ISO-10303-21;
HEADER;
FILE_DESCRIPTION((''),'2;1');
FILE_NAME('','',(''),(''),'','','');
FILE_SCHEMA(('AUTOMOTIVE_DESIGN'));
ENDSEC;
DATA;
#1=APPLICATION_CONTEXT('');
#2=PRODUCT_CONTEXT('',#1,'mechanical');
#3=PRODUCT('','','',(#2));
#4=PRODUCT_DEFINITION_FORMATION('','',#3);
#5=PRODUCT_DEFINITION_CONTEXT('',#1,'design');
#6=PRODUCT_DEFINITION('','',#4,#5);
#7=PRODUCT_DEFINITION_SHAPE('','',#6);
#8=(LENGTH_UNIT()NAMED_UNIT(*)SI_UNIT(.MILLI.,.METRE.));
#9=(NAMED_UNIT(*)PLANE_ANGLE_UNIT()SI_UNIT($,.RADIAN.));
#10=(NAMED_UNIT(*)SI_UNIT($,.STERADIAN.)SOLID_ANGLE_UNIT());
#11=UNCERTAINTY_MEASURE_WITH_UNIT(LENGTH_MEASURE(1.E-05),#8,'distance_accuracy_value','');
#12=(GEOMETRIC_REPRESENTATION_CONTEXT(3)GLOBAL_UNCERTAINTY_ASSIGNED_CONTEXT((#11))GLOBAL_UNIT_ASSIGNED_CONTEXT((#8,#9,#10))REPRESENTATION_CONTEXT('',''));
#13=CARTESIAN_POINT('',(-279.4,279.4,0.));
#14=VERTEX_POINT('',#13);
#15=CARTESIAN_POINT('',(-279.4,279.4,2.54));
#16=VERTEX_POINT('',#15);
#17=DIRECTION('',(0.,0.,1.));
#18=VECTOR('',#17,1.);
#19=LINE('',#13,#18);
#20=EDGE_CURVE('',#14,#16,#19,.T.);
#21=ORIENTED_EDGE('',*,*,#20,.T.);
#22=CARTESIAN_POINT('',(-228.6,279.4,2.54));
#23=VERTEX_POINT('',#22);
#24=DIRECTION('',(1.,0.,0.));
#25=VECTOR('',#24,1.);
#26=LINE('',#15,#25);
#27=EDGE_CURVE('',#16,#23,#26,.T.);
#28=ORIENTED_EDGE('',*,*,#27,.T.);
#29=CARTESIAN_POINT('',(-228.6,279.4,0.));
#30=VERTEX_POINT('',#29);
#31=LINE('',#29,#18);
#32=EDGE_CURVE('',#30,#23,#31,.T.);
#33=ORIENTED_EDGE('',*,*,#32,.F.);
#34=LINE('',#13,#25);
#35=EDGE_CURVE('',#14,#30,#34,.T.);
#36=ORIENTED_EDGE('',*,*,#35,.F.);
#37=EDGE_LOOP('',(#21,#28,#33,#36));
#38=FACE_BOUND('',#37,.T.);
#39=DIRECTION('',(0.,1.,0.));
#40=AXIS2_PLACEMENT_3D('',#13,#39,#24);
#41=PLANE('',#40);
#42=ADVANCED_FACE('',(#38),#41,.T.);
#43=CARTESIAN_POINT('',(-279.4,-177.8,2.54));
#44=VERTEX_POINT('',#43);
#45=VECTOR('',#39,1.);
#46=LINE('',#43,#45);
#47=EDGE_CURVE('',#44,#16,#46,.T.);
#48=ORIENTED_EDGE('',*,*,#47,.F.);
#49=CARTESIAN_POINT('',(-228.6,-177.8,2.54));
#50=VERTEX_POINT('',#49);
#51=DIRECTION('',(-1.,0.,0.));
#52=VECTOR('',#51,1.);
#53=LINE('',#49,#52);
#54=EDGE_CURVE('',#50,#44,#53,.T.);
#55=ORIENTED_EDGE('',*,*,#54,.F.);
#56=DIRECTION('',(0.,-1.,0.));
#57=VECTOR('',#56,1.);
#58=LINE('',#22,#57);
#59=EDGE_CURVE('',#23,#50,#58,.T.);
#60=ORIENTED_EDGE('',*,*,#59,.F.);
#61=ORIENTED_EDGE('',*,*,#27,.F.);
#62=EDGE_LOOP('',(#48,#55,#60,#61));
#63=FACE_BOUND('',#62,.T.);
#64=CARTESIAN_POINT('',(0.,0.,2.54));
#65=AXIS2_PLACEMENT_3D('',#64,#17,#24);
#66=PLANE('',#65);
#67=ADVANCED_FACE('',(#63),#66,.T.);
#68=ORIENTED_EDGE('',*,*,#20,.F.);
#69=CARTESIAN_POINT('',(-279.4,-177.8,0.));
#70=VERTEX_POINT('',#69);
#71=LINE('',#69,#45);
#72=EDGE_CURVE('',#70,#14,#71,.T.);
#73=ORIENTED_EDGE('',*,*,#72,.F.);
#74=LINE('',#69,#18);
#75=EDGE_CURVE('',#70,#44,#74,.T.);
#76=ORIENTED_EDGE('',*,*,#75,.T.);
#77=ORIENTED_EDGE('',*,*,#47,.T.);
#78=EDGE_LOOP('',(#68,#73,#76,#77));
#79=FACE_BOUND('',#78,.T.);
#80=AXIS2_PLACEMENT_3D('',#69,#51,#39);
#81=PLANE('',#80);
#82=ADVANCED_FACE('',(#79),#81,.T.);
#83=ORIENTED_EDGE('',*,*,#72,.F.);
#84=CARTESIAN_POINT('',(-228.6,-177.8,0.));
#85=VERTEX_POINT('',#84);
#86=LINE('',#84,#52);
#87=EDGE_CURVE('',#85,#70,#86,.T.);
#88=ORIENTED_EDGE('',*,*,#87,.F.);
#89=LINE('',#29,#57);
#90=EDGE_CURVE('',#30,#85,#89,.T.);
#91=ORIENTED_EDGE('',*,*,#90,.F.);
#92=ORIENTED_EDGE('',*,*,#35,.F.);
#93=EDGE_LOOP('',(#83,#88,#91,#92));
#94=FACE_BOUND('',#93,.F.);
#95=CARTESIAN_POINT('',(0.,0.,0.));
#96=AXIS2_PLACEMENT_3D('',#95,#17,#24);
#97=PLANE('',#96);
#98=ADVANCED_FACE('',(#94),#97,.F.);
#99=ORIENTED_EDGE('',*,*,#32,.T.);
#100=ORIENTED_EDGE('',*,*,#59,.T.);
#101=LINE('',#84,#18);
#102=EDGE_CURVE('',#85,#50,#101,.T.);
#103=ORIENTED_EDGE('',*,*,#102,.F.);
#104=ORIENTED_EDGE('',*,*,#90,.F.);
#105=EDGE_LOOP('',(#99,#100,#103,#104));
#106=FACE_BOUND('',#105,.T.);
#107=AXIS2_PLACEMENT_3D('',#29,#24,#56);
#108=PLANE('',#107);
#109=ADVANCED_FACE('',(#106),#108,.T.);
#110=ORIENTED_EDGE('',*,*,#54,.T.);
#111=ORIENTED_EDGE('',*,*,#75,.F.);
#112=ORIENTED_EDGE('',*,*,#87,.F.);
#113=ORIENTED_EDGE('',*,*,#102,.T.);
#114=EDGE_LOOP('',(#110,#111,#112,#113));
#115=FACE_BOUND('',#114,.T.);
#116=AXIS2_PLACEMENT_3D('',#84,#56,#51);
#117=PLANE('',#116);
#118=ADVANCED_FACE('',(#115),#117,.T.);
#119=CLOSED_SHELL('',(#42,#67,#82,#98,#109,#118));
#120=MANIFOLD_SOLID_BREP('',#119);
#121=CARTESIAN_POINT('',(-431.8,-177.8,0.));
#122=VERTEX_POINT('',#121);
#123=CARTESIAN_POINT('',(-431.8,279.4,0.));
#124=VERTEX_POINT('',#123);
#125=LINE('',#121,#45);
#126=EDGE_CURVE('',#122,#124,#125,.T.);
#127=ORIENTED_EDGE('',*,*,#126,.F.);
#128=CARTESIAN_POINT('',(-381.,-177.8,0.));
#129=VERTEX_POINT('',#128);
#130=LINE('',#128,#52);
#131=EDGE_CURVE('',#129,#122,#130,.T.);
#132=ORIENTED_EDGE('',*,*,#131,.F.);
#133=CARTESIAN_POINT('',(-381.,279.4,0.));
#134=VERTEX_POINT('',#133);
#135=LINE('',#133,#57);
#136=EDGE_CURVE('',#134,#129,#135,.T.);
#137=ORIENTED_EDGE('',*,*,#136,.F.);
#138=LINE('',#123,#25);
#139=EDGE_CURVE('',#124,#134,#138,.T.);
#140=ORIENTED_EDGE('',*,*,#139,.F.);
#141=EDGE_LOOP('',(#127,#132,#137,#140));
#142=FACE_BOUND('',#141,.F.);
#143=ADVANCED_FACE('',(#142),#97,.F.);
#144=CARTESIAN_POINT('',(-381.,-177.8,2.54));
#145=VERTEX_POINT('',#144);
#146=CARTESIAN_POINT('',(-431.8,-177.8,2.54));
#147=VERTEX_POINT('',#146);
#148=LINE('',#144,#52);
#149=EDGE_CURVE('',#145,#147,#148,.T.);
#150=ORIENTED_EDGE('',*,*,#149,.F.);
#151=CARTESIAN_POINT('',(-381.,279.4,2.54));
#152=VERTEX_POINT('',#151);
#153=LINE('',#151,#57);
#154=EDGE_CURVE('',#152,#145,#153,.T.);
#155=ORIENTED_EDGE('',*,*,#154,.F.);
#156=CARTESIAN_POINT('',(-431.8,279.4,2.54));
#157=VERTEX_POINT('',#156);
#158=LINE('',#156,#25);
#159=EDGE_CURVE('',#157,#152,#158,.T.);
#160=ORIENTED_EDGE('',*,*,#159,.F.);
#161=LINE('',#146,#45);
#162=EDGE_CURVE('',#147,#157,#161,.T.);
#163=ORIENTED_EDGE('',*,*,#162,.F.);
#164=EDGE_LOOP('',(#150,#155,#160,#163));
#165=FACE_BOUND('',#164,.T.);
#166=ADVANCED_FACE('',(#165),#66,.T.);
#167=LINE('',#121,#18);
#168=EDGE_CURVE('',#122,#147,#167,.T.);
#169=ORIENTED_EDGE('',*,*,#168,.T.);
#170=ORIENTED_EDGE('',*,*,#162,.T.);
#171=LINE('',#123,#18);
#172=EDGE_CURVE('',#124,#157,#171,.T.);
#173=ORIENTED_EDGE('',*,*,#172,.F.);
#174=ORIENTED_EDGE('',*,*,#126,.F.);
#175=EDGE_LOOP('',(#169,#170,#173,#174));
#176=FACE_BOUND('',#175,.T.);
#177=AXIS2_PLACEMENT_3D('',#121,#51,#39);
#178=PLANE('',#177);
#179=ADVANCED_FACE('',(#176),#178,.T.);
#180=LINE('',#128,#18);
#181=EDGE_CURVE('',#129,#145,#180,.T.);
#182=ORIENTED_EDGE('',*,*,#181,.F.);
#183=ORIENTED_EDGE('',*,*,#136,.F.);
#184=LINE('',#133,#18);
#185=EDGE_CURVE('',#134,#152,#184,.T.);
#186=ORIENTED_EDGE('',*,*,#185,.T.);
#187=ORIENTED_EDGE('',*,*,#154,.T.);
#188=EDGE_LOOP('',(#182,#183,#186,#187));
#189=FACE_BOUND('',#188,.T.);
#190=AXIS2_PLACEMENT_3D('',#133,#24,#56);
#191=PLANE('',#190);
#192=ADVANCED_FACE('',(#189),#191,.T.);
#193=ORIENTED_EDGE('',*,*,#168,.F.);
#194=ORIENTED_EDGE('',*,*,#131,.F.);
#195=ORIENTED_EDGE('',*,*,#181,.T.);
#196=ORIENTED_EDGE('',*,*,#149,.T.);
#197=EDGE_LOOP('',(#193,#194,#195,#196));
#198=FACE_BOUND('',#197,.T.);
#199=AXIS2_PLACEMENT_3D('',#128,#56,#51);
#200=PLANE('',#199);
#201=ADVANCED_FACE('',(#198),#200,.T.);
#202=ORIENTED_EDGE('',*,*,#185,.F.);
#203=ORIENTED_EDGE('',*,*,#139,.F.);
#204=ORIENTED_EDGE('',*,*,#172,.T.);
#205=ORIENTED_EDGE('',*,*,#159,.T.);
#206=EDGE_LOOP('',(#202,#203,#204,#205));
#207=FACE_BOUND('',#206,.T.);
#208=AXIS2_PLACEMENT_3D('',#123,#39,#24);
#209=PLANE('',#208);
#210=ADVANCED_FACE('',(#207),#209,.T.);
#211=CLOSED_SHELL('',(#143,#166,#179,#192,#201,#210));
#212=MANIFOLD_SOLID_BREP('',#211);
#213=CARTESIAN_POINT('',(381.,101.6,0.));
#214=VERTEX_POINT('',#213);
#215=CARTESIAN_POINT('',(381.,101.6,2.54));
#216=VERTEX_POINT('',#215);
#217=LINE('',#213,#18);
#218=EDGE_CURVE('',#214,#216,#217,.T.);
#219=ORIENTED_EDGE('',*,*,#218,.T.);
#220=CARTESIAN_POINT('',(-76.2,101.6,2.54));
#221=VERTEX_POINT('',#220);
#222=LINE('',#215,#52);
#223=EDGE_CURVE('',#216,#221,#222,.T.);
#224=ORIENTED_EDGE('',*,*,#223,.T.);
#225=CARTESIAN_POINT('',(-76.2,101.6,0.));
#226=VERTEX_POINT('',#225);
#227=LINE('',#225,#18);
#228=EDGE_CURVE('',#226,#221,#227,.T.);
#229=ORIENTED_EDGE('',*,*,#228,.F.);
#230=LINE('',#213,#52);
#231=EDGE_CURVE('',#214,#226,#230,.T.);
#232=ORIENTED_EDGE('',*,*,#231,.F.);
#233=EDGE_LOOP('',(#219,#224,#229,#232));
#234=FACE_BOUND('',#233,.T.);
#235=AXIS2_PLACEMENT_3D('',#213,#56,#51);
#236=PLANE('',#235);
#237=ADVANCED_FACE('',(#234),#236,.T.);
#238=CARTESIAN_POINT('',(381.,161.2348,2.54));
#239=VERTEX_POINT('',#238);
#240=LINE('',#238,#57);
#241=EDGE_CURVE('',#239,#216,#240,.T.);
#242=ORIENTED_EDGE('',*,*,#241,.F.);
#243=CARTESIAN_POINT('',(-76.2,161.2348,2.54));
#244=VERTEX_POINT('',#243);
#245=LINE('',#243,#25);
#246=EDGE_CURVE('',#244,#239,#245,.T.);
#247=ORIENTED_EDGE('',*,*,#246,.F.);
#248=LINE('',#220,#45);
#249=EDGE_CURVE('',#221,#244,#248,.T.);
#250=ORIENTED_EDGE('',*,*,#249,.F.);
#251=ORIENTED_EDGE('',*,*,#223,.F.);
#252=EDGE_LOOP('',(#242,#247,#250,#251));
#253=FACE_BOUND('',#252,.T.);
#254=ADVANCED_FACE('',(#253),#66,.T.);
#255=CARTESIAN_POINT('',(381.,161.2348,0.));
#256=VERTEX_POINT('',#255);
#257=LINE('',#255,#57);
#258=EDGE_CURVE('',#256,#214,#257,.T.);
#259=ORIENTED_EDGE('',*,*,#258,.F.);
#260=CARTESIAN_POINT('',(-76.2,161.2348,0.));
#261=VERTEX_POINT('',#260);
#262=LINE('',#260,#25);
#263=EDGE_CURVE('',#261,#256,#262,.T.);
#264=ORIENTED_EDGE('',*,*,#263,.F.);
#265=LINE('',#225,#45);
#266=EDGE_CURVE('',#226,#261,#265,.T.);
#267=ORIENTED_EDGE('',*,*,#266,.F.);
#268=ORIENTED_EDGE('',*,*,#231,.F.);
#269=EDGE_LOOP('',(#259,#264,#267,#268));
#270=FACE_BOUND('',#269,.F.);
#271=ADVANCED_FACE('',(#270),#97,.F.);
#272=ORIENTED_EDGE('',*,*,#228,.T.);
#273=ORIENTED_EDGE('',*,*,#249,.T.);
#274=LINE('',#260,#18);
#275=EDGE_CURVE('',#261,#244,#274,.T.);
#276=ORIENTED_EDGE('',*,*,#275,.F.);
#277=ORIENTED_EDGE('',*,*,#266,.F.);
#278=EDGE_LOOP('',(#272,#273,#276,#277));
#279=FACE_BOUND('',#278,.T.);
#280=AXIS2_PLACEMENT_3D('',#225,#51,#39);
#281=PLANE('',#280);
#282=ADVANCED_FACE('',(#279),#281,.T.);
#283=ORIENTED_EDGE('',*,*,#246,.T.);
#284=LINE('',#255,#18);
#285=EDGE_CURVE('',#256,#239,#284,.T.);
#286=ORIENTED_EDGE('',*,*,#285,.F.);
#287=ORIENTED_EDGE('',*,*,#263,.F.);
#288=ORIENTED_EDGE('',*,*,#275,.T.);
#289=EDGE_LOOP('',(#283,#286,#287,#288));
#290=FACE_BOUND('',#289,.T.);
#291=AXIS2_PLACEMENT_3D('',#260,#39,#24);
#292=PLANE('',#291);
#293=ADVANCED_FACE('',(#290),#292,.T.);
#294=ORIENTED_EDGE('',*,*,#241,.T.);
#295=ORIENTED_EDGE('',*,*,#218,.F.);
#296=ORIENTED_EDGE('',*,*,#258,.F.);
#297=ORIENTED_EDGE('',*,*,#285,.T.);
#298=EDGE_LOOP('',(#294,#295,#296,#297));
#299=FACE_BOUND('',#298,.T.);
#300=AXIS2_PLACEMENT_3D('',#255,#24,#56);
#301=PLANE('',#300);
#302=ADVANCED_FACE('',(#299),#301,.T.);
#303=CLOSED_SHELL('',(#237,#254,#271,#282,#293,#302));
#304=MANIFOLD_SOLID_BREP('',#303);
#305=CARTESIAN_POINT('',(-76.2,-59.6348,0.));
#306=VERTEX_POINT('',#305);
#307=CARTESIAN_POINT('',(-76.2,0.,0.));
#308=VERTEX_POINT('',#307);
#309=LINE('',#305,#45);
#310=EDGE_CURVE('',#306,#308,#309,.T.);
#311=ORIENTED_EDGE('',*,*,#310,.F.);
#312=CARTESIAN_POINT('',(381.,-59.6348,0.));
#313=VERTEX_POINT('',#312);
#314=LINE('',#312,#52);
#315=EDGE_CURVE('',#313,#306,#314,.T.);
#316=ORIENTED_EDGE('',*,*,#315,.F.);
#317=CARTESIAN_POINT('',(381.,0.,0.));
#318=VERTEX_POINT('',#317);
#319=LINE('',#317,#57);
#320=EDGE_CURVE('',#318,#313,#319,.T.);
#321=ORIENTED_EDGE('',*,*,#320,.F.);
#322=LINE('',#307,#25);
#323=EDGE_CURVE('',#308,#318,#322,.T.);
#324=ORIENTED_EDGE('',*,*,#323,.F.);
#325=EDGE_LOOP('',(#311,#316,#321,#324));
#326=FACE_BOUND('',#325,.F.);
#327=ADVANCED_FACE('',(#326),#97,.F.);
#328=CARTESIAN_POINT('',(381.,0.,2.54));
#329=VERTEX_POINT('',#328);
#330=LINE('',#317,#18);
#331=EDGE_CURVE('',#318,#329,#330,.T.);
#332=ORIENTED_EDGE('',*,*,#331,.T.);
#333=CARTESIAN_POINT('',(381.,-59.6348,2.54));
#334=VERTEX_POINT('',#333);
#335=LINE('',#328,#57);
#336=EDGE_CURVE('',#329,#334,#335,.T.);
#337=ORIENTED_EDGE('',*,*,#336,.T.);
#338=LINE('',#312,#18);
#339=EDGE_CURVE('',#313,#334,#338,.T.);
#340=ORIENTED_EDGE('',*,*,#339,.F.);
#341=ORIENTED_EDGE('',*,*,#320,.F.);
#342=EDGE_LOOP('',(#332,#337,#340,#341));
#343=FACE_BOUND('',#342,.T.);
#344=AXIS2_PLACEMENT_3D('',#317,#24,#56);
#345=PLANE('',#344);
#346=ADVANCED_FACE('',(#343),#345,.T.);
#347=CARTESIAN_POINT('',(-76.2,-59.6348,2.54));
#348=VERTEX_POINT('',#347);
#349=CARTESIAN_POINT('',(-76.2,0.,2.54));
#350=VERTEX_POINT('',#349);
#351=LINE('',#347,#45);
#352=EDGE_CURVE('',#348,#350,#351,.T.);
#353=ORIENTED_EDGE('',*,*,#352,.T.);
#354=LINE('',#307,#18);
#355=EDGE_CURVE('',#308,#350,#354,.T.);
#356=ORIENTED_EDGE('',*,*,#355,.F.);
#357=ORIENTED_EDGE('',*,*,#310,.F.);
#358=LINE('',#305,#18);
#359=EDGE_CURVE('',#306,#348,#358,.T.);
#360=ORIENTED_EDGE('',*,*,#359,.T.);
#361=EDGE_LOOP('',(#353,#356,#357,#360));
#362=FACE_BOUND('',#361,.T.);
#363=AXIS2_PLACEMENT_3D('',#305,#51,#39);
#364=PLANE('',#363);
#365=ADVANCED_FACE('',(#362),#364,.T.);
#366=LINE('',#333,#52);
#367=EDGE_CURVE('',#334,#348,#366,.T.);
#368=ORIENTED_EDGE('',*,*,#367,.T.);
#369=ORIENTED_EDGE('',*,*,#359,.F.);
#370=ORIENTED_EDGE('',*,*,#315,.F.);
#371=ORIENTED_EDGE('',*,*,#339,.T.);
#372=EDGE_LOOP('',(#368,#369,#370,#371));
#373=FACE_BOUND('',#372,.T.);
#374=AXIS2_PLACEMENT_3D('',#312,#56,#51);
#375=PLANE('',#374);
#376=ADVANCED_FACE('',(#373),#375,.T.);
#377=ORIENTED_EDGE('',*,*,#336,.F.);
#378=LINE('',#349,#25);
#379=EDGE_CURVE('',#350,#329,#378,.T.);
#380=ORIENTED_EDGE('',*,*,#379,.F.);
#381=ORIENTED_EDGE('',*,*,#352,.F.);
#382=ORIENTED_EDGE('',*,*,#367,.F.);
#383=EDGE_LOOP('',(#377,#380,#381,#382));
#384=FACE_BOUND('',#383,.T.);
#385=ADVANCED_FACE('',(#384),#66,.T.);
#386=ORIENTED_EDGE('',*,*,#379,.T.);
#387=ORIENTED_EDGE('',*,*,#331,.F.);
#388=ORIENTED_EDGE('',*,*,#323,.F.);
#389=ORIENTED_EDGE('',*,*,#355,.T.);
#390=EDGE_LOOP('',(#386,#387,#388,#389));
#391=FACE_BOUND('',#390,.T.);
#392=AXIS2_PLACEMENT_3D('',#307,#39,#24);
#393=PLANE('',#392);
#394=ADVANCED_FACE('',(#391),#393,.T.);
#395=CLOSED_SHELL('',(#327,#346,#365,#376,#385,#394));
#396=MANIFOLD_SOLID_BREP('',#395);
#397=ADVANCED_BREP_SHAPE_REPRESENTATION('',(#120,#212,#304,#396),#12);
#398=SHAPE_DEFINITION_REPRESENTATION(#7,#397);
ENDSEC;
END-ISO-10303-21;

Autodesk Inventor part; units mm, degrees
ref_plane "YZ Plane" through (0, 0, 0) normal (1, 0, 0) x (0, 1, 0)
ref_plane "XZ Plane" through (0, 0, 0) normal (0, 1, 0) x (-1, 0, 0)
ref_plane "XY Plane" through (0, 0, 0) normal (0, 0, 1) x (1, 0, 0)
ref_plane "Work Plane1" through (0, 0, 0) normal (0, 0, 1) x (1, 0, 0)
sketch "Sketch3" plane through (0, 0, 0) normal (0, 0, 1) x (1, 0, 0)
  line L0 (-431.8, 279.4) -> (-381, 279.4)
  line L1 (-381, 279.4) -> (-381, -177.8)
  line L2 (-381, -177.8) -> (-431.8, -177.8)
  line L3 (-431.8, -177.8) -> (-431.8, 279.4)
  line L4 (-279.4, 279.4) -> (-228.6, 279.4)
  line L5 (-228.6, 279.4) -> (-228.6, -177.8)
  line L6 (-228.6, -177.8) -> (-279.4, -177.8)
  line L7 (-279.4, -177.8) -> (-279.4, 279.4)
  line L8 (-76.2, 161.2348) -> (381, 161.2348)
  line L9 (381, 161.2348) -> (381, 101.6)
  line L10 (381, 101.6) -> (-76.2, 101.6)
  line L11 (-76.2, 101.6) -> (-76.2, 161.2348)
  line L12 (-76.2, 0) -> (381, 0)
  line L13 (381, 0) -> (381, -59.6348)
  line L14 (381, -59.6348) -> (-76.2, -59.6348)
  line L15 (-76.2, -59.6348) -> (-76.2, 0)
  line L16 (-177.8, -457.2) -> (-177.8, -381) projected
  line L17 (-177.8, -381) -> (177.8, -381) projected
  line L18 (177.8, -381) -> (177.8, -457.2) projected
  line L19 (177.8, -457.2) -> (609.6, -457.2) projected
  line L20 (609.6, -457.2) -> (609.6, 457.2) projected
  line L21 (609.6, 457.2) -> (-609.6, 457.2) projected
  line L22 (-609.6, 457.2) -> (-609.6, -457.2) projected
  line L23 (-609.6, -457.2) -> (-177.8, -457.2) projected
  line L24 (-279.4, -177.8) -> (-381, -177.8) projected
  line L25 (-381, -177.8) -> (-381, 279.4) projected
  line L26 (-381, 279.4) -> (-279.4, 279.4) projected
  line L27 (-279.4, 279.4) -> (-279.4, -177.8) projected
  line L28 (381, 101.6) -> (381, 0) projected
  line L29 (381, 0) -> (-76.2, 0) projected
  line L30 (-76.2, 0) -> (-76.2, 101.6) projected
  line L31 (-76.2, 101.6) -> (381, 101.6) projected
  point P0 (0, 0)
  dimension "d4" = 50.8
extrude "Extrusion2" add sketch "Sketch3" along normal blind 2.54 contours L0 L1 L2 L3 | L4 L5 L6 L7 | L8 L9 L10 L11 | L12 L13 L14 L15
properties part number "RetroTape"
